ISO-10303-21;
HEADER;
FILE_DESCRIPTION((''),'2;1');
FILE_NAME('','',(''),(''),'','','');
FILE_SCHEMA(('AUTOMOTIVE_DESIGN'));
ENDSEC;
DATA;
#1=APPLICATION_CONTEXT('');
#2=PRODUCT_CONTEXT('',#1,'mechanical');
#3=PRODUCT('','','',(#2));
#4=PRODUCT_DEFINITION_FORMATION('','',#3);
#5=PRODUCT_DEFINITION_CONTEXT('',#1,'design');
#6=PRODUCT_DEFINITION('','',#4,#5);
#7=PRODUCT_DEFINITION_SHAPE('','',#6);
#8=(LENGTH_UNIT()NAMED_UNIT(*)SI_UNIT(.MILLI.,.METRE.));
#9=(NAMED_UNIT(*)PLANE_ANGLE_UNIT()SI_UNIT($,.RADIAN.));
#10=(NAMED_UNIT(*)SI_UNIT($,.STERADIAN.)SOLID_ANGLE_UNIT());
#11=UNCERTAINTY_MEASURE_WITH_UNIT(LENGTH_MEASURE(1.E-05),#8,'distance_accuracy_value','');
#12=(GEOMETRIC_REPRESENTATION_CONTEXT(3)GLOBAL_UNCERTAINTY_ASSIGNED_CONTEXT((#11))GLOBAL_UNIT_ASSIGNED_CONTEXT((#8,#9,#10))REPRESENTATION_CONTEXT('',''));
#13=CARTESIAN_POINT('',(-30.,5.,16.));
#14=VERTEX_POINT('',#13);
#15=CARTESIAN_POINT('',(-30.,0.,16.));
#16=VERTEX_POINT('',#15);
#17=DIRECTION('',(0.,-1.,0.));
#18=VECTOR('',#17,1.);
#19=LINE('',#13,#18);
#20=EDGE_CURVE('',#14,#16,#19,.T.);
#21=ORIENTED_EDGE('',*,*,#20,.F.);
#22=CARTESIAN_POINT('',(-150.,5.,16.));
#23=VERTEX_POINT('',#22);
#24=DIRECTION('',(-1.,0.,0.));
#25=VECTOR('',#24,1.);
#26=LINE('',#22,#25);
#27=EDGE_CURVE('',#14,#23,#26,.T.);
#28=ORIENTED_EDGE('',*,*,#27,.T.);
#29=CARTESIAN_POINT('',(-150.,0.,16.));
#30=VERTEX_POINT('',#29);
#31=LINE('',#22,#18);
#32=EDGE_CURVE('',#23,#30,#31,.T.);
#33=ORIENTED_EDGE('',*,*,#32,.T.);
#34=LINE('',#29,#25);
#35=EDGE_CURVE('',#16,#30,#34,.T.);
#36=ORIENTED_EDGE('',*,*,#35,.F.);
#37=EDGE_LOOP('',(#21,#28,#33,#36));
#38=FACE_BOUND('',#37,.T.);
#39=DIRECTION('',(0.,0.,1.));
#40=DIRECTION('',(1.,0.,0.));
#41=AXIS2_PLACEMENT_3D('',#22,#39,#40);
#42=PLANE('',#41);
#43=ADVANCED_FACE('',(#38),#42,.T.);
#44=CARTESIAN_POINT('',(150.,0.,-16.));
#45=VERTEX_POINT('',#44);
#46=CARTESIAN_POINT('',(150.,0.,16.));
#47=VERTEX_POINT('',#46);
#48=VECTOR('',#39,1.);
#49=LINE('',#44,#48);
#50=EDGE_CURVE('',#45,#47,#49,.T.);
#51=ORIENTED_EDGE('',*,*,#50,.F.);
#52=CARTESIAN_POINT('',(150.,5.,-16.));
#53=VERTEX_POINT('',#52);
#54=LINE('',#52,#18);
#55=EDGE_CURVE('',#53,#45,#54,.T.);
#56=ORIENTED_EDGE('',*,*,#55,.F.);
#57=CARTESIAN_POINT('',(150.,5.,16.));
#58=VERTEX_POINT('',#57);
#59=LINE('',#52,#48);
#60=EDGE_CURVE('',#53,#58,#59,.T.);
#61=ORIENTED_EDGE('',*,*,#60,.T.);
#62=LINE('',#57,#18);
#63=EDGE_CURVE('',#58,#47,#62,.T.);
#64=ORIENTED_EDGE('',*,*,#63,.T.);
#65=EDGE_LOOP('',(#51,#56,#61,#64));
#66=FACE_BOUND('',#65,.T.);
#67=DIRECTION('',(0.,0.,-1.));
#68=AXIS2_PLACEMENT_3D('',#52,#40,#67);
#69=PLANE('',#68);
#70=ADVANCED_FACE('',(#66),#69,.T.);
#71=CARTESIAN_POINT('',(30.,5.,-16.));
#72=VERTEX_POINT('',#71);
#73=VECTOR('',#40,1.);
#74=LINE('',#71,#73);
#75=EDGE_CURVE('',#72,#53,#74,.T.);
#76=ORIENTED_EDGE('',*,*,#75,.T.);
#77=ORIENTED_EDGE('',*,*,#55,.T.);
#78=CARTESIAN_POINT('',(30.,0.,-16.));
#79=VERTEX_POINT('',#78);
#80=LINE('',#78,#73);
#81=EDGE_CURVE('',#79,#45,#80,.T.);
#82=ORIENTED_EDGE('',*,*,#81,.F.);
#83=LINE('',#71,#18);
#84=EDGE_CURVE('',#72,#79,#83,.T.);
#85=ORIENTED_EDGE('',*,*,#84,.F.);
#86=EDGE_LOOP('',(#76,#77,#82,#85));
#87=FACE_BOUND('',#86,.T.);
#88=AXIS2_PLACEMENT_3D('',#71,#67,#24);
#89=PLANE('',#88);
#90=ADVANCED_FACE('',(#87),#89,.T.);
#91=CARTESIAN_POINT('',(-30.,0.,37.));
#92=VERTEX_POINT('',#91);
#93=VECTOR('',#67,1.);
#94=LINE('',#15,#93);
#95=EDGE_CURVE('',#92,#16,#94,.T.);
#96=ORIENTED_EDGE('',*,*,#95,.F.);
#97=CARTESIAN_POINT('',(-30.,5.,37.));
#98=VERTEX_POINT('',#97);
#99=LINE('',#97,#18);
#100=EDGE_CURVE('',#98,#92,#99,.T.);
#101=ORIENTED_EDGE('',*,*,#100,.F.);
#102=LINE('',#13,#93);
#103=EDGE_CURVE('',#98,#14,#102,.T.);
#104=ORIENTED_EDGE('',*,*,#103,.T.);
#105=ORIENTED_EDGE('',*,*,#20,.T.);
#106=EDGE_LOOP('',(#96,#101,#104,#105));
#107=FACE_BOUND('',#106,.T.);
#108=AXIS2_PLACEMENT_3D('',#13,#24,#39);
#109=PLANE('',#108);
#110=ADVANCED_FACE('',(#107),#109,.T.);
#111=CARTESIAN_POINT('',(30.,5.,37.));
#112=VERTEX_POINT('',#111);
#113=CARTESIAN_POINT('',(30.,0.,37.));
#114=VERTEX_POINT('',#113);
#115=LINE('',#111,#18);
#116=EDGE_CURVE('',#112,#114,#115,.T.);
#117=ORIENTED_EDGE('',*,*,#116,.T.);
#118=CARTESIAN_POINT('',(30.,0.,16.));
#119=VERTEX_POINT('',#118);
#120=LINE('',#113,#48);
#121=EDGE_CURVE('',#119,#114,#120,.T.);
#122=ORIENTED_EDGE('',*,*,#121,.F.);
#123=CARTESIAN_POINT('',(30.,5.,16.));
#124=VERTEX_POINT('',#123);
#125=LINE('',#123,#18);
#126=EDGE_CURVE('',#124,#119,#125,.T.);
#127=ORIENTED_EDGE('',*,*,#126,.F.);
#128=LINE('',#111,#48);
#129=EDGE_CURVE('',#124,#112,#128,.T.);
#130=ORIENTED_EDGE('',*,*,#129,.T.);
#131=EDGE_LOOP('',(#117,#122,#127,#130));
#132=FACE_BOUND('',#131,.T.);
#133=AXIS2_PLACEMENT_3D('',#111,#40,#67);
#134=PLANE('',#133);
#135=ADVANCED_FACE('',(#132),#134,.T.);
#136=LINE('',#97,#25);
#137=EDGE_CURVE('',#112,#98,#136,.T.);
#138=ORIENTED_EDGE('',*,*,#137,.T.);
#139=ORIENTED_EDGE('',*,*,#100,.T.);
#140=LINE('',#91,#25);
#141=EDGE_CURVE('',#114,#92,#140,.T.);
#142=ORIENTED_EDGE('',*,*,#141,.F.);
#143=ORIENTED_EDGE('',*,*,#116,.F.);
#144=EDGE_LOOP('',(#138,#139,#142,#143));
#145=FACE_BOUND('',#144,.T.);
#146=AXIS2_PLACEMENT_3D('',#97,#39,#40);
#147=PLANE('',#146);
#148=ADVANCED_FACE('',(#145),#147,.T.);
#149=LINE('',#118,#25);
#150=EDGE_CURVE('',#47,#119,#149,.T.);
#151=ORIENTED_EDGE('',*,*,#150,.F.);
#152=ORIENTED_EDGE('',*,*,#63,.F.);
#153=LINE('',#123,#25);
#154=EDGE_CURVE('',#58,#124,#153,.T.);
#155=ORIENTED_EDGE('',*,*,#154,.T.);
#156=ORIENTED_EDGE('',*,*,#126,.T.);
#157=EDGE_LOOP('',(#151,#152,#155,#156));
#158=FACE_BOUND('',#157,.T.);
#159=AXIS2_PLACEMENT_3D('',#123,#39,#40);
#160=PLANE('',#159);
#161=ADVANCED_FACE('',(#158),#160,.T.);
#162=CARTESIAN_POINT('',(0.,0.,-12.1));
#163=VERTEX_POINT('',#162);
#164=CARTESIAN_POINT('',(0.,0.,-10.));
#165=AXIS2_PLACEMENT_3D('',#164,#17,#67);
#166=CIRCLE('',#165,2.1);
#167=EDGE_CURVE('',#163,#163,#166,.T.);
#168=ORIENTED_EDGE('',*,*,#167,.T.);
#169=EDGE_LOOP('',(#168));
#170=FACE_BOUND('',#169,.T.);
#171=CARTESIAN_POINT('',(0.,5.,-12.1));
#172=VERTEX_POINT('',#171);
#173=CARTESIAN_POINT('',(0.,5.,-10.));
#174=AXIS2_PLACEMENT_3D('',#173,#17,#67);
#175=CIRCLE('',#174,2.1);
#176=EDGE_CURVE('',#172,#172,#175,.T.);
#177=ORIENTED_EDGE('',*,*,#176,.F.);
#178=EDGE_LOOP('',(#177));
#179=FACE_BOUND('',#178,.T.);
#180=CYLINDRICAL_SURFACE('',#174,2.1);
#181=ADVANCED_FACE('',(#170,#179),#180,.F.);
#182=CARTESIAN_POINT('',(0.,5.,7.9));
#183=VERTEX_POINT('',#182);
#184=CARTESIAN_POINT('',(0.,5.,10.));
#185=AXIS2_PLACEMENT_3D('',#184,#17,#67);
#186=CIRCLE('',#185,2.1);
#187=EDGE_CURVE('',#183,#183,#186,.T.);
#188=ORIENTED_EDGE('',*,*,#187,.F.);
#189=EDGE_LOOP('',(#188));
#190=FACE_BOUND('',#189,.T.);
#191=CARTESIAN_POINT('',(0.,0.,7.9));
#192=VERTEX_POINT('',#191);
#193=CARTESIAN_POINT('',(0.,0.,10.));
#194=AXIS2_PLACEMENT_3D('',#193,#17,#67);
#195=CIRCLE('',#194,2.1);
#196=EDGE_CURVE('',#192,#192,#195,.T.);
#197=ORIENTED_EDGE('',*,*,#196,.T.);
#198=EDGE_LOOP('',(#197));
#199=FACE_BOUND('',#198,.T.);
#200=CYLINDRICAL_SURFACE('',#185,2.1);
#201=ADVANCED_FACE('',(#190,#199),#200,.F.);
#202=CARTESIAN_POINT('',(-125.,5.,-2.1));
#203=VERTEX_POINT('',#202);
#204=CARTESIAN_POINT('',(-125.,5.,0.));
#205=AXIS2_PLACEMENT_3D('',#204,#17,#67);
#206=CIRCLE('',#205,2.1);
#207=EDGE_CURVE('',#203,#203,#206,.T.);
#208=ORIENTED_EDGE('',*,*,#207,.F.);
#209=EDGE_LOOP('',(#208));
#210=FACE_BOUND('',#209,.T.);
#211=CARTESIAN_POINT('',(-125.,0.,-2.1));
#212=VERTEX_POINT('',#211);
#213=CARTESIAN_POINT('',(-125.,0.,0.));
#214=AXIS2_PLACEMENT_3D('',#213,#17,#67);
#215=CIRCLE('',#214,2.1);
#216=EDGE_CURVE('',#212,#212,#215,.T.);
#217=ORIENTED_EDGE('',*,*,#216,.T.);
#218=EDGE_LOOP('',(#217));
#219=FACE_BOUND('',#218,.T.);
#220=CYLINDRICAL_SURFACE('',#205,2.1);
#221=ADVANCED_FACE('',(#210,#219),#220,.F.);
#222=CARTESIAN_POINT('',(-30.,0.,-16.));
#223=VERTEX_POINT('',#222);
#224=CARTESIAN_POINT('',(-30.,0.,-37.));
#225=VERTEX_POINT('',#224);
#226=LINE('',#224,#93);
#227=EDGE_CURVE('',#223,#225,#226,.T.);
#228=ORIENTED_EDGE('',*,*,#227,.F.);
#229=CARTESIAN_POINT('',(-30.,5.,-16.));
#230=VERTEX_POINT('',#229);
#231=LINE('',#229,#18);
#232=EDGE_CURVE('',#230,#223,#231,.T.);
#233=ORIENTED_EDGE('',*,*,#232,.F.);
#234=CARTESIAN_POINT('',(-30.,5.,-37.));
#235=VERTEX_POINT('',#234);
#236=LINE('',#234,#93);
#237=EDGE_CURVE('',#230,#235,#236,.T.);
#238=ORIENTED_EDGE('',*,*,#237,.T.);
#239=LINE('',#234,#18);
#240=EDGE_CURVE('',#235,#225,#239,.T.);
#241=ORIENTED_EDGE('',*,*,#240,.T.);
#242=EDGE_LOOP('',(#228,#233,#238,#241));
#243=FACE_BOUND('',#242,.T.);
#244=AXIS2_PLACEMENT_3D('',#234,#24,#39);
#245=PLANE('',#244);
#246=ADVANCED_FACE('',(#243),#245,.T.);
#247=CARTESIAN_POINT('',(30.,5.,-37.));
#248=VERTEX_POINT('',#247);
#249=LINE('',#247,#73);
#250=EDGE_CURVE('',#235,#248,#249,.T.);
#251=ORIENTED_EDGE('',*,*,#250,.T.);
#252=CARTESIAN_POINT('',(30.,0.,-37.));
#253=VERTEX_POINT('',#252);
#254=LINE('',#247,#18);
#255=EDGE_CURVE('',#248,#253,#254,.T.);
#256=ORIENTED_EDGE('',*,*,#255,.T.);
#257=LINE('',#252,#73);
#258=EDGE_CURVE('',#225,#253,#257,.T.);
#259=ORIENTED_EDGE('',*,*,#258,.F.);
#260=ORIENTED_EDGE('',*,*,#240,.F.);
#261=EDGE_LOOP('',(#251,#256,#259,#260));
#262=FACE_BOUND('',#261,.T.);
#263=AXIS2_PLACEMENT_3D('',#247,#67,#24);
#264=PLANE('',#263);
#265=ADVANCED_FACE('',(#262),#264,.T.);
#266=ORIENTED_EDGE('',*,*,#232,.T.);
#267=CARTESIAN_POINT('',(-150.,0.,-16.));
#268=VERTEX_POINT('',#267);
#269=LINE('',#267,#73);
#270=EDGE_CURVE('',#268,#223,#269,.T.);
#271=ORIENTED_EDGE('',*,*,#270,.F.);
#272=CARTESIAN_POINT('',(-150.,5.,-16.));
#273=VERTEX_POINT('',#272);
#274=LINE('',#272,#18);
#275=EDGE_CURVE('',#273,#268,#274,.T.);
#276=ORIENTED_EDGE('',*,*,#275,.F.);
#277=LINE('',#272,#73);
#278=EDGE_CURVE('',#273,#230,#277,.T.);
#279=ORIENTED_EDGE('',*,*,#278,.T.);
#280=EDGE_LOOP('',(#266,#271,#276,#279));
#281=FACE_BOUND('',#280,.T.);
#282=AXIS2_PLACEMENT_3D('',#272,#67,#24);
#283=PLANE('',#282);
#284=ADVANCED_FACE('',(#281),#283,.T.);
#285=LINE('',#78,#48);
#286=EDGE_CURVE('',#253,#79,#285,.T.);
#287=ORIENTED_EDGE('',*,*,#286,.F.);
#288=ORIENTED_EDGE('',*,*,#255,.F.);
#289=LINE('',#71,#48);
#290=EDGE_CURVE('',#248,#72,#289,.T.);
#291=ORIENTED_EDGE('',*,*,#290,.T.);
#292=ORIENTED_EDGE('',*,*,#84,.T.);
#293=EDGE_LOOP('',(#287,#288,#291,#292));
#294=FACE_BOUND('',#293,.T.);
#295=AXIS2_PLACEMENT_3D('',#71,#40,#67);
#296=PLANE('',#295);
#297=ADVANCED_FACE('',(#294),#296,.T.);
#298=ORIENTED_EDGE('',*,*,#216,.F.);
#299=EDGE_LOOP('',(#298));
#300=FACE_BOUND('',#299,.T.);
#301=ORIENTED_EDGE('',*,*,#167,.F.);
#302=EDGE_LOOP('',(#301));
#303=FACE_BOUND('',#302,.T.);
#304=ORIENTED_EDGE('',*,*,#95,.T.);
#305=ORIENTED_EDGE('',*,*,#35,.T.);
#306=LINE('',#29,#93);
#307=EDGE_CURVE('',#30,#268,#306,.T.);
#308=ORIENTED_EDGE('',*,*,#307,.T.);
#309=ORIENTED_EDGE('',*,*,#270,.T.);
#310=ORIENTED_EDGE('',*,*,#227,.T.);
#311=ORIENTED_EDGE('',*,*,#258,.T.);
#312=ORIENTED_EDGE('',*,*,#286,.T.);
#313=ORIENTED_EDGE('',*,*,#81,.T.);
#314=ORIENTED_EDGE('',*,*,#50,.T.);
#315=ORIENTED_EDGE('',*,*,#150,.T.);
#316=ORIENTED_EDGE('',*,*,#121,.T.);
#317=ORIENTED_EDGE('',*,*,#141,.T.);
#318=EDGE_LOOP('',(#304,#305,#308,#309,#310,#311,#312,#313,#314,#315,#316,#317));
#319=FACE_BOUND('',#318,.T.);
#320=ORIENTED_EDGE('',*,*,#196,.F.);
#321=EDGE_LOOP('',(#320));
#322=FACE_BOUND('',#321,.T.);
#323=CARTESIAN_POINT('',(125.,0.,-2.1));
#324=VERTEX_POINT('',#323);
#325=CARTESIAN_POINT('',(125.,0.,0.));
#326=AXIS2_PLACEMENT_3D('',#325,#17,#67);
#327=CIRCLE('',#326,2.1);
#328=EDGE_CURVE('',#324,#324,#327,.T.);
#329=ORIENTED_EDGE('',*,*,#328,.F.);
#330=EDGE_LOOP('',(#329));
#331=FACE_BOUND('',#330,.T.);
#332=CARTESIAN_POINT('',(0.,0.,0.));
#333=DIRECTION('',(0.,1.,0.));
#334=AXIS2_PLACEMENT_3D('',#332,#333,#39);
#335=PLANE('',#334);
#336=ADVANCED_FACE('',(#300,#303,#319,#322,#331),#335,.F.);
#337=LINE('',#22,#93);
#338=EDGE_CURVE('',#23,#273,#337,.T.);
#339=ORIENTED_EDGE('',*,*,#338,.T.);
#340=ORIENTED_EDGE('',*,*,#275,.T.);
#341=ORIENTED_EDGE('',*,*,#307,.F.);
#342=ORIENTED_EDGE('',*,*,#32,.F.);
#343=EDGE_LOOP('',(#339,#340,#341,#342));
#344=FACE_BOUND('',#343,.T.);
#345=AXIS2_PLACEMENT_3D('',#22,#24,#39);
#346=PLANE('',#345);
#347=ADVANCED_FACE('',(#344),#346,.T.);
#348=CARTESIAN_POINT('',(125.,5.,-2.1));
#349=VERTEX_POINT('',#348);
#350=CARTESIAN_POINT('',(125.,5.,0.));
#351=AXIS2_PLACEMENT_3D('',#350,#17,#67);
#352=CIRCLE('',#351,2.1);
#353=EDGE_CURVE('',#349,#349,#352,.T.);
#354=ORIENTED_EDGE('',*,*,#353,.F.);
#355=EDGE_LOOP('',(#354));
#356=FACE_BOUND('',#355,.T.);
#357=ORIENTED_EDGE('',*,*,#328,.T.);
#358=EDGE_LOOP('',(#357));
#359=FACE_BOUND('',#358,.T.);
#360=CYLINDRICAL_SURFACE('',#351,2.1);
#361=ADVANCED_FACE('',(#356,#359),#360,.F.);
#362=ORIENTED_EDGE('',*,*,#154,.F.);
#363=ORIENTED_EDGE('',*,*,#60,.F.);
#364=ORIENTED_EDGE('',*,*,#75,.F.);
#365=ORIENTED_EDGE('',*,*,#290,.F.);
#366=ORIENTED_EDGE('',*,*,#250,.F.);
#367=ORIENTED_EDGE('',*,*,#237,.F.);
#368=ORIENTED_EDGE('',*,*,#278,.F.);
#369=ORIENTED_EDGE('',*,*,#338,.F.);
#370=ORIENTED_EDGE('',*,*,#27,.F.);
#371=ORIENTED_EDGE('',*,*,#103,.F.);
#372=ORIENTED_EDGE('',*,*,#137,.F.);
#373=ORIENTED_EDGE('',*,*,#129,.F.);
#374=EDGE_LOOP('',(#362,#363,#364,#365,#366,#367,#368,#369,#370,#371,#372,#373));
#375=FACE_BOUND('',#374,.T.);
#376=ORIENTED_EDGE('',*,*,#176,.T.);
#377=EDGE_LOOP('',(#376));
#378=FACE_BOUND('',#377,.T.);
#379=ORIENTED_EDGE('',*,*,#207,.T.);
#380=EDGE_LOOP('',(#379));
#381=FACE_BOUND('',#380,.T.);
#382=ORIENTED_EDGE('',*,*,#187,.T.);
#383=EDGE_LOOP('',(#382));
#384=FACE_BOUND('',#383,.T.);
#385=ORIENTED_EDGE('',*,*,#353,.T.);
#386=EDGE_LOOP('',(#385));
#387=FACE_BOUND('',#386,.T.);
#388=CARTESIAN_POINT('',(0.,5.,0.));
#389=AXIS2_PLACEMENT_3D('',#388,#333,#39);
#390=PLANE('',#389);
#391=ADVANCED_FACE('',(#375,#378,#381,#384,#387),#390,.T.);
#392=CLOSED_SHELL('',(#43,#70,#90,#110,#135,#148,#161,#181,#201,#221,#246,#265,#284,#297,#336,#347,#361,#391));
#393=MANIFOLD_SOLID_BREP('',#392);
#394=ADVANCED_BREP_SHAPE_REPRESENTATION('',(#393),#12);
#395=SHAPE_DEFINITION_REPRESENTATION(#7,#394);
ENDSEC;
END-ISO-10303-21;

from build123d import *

# Parameters (mm, degrees)
EXTRUDE_1_DEPTH     = 5
SKETCH_2_R          = 2.1
CUT_EXTRUDE_1_DEPTH = 6
FILLET_1_R          = 5
SKETCH_3_R          = 2.5
CUT_EXTRUDE_2_DEPTH = 6
SKETCH_4_R          = 2.1
CUT_EXTRUDE_3_DEPTH = 6
SKETCH_5_OUTSIDE_W  = 532.64
SKETCH_5_OUTSIDE_H  = 472.64
CUT_EXTRUDE_4_DEPTH = 6


with BuildPart() as part:
    # 草图1 → 凸台-拉伸1 (new body)
    with BuildSketch(Plane(origin=(0, 0, 0), x_dir=(1, 0, 0), z_dir=(0, 1, 0))):
        Polygon((-180, 180), (-180, 103), (-80, 103), (-80, 180), (80, 180), (80, 103), (180, 103), (180, 180), (210, 180), (210, -180), (180, -180), (180, -103), (80, -103), (80, -180), (-80, -180), (-80, -103), (-180, -103), (-180, -180), (-210, -180), (-210, 180), align=None)
    extrude(amount=EXTRUDE_1_DEPTH)

    # 草图2 → 切除-拉伸1 (cut, through all)
    with BuildSketch(Plane(origin=(0, 5, 0), x_dir=(1, 0, 0), z_dir=(0, 1, 0))):
        with Locations((115, -88.5)):
            Circle(SKETCH_2_R)
        with Locations((145, -88.5)):
            Circle(SKETCH_2_R)
        with Locations((130, -95.5)):
            Circle(SKETCH_2_R)
        with Locations((130, 95.5)):
            Circle(SKETCH_2_R)
        with Locations((145, 88.5)):
            Circle(SKETCH_2_R)
        with Locations((115, 88.5)):
            Circle(SKETCH_2_R)
        with Locations((-115, 88.5)):
            Circle(SKETCH_2_R)
        with Locations((-145, 88.5)):
            Circle(SKETCH_2_R)
        with Locations((-130, 95.5)):
            Circle(SKETCH_2_R)
        with Locations((-130, -95.5)):
            Circle(SKETCH_2_R)
        with Locations((-145, -88.5)):
            Circle(SKETCH_2_R)
        with Locations((-115, -88.5)):
            Circle(SKETCH_2_R)
    extrude(amount=-CUT_EXTRUDE_1_DEPTH, mode=Mode.SUBTRACT)

    # 圆角1
    fillet_1_edges = [part.edges().sort_by_distance(p)[0] for p in [
        (180, 2.5, 180),
        (80, 2.5, 180),
        (-80, 2.5, 180),
        (-180, 2.5, 180),
        (-180, 2.5, -180),
        (-80, 2.5, -180),
        (80, 2.5, -180),
        (180, 2.5, -180),
    ]]
    fillet(fillet_1_edges, radius=FILLET_1_R)

    # 草图3 → 切除-拉伸2 (cut, through all)
    with BuildSketch(Plane.XZ):
        with Locations((84.75, 31.75)):
            Circle(SKETCH_3_R)
        with Locations((84.75, -31.75)):
            Circle(SKETCH_3_R)
        with Locations((171.25, 31.75)):
            Circle(SKETCH_3_R)
        with Locations((171.25, -31.75)):
            Circle(SKETCH_3_R)
        with Locations((-171.25, -31.75)):
            Circle(SKETCH_3_R)
        with Locations((-171.25, 31.75)):
            Circle(SKETCH_3_R)
        with Locations((-84.75, -31.75)):
            Circle(SKETCH_3_R)
        with Locations((-84.75, 31.75)):
            Circle(SKETCH_3_R)
    extrude(amount=-CUT_EXTRUDE_2_DEPTH, mode=Mode.SUBTRACT)

    # 草图4 → 切除-拉伸3 (cut, through all)
    with BuildSketch(Plane.XZ):
        with Locations((-125, 0)):
            Circle(SKETCH_4_R)
        with Locations((125, 0)):
            Circle(SKETCH_4_R)
        with Locations((0, 10)):
            Circle(SKETCH_4_R)
        with Locations((0, -10)):
            Circle(SKETCH_4_R)
    extrude(amount=-CUT_EXTRUDE_3_DEPTH, mode=Mode.SUBTRACT)

    # 草图5 outside → 切除-拉伸4 (cut, through all)
    with BuildSketch(Plane.XZ):
        Rectangle(SKETCH_5_OUTSIDE_W, SKETCH_5_OUTSIDE_H)
        Polygon((-150, 16), (-150, -16), (-30, -16), (-30, -37), (30, -37), (30, -16), (150, -16), (150, 16), (30, 16), (30, 37), (-30, 37), (-30, 16), align=None, mode=Mode.SUBTRACT)
    extrude(amount=-CUT_EXTRUDE_4_DEPTH, mode=Mode.SUBTRACT)


solid = part.part
